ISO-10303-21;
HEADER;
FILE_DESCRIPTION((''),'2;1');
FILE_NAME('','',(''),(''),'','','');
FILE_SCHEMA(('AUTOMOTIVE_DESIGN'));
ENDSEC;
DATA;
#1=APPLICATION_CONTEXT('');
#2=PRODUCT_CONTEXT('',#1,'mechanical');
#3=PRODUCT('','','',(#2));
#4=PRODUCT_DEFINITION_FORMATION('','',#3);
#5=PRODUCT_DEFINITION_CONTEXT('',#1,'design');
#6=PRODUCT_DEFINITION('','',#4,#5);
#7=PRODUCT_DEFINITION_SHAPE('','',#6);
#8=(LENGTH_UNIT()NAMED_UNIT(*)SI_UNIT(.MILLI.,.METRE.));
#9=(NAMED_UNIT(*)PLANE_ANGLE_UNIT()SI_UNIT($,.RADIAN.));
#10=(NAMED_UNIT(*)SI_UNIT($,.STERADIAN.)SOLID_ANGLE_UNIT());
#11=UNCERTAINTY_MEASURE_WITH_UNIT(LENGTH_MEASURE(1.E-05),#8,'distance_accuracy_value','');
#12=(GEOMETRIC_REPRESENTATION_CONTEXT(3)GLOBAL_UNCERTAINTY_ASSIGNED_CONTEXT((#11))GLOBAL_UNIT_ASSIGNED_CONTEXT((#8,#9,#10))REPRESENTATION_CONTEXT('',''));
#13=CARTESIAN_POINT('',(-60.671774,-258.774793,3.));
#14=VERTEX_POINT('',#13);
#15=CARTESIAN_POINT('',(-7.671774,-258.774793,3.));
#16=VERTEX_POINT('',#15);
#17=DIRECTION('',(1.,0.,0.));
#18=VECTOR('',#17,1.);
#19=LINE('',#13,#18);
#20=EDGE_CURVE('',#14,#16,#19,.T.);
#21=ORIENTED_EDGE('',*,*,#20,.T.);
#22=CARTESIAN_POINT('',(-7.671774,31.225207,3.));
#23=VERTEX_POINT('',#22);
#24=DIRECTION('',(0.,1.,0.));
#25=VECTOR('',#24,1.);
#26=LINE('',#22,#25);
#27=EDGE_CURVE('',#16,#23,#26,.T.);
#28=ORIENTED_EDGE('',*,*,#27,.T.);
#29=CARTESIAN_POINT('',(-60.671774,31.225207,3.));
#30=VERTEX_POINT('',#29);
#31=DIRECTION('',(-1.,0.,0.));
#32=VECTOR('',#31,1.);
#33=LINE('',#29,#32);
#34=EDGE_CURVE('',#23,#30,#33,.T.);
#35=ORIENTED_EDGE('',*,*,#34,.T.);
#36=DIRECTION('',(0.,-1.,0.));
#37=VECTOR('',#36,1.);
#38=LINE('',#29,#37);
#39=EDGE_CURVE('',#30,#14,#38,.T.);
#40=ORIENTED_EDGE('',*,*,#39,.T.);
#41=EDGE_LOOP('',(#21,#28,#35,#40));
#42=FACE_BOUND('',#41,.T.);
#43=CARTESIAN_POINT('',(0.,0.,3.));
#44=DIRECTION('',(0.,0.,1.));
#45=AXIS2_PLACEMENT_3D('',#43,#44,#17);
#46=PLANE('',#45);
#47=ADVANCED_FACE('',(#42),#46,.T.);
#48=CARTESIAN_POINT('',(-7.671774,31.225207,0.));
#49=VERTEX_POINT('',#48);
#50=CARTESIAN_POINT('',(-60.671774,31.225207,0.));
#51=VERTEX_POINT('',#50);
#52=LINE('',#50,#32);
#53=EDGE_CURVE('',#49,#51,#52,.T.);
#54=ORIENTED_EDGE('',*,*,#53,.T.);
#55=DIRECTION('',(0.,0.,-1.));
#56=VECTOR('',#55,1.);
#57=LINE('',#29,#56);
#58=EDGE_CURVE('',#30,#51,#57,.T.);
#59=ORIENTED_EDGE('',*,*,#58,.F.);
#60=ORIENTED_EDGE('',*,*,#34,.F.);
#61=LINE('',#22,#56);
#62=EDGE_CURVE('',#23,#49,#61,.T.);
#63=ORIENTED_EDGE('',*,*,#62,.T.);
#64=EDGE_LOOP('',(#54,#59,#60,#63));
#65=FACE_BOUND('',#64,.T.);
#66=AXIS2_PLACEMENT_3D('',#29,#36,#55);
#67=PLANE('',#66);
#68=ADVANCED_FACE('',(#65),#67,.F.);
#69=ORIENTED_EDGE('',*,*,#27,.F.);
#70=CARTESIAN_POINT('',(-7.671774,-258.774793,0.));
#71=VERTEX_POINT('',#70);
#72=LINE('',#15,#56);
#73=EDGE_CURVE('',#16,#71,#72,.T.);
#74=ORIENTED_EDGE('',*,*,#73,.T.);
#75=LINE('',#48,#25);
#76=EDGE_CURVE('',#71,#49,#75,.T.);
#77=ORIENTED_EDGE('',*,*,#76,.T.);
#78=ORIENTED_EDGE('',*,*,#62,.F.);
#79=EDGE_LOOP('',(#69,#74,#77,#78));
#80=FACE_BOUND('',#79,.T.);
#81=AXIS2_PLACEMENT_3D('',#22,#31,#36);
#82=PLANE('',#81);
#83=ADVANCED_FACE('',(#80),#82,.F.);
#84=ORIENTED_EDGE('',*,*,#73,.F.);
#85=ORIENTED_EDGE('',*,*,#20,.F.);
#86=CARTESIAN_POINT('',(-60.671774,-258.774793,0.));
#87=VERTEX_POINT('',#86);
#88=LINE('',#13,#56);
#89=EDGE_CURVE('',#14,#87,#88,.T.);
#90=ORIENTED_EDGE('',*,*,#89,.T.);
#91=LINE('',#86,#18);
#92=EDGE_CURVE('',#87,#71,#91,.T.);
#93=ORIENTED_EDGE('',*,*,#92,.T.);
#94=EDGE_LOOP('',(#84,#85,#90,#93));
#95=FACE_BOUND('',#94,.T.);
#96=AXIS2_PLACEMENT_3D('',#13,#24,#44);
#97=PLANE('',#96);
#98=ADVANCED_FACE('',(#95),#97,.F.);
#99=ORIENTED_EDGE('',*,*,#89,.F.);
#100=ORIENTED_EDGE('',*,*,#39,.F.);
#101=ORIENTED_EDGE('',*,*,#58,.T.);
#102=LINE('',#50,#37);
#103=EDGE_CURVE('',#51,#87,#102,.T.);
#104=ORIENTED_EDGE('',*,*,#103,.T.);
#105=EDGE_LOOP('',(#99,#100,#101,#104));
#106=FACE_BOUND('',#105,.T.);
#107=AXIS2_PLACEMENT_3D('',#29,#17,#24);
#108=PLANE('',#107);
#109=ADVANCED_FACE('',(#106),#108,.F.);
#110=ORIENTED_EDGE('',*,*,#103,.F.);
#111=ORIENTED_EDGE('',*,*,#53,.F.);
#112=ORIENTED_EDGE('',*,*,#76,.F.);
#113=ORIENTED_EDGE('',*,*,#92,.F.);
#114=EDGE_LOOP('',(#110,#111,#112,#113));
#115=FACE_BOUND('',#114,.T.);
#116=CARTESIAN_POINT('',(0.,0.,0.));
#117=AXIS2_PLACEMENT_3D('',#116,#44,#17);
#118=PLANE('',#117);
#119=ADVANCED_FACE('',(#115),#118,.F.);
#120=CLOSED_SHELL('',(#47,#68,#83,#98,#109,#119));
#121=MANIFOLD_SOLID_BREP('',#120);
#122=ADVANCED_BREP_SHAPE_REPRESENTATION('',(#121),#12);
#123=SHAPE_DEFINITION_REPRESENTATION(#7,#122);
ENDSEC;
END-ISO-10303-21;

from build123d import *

# Parameters (mm, degrees)
ESQUISSE1_W        = 53
ESQUISSE1_H        = 290
BOSS_EXTRU_1_DEPTH = 3


with BuildPart() as part:
    # Esquisse1 → Boss.-Extru.1 (new body)
    with BuildSketch(Plane.XY):
        with Locations((-34.171773522, -113.774793388)):
            Rectangle(ESQUISSE1_W, ESQUISSE1_H)
    extrude(amount=BOSS_EXTRU_1_DEPTH)


solid = part.part
